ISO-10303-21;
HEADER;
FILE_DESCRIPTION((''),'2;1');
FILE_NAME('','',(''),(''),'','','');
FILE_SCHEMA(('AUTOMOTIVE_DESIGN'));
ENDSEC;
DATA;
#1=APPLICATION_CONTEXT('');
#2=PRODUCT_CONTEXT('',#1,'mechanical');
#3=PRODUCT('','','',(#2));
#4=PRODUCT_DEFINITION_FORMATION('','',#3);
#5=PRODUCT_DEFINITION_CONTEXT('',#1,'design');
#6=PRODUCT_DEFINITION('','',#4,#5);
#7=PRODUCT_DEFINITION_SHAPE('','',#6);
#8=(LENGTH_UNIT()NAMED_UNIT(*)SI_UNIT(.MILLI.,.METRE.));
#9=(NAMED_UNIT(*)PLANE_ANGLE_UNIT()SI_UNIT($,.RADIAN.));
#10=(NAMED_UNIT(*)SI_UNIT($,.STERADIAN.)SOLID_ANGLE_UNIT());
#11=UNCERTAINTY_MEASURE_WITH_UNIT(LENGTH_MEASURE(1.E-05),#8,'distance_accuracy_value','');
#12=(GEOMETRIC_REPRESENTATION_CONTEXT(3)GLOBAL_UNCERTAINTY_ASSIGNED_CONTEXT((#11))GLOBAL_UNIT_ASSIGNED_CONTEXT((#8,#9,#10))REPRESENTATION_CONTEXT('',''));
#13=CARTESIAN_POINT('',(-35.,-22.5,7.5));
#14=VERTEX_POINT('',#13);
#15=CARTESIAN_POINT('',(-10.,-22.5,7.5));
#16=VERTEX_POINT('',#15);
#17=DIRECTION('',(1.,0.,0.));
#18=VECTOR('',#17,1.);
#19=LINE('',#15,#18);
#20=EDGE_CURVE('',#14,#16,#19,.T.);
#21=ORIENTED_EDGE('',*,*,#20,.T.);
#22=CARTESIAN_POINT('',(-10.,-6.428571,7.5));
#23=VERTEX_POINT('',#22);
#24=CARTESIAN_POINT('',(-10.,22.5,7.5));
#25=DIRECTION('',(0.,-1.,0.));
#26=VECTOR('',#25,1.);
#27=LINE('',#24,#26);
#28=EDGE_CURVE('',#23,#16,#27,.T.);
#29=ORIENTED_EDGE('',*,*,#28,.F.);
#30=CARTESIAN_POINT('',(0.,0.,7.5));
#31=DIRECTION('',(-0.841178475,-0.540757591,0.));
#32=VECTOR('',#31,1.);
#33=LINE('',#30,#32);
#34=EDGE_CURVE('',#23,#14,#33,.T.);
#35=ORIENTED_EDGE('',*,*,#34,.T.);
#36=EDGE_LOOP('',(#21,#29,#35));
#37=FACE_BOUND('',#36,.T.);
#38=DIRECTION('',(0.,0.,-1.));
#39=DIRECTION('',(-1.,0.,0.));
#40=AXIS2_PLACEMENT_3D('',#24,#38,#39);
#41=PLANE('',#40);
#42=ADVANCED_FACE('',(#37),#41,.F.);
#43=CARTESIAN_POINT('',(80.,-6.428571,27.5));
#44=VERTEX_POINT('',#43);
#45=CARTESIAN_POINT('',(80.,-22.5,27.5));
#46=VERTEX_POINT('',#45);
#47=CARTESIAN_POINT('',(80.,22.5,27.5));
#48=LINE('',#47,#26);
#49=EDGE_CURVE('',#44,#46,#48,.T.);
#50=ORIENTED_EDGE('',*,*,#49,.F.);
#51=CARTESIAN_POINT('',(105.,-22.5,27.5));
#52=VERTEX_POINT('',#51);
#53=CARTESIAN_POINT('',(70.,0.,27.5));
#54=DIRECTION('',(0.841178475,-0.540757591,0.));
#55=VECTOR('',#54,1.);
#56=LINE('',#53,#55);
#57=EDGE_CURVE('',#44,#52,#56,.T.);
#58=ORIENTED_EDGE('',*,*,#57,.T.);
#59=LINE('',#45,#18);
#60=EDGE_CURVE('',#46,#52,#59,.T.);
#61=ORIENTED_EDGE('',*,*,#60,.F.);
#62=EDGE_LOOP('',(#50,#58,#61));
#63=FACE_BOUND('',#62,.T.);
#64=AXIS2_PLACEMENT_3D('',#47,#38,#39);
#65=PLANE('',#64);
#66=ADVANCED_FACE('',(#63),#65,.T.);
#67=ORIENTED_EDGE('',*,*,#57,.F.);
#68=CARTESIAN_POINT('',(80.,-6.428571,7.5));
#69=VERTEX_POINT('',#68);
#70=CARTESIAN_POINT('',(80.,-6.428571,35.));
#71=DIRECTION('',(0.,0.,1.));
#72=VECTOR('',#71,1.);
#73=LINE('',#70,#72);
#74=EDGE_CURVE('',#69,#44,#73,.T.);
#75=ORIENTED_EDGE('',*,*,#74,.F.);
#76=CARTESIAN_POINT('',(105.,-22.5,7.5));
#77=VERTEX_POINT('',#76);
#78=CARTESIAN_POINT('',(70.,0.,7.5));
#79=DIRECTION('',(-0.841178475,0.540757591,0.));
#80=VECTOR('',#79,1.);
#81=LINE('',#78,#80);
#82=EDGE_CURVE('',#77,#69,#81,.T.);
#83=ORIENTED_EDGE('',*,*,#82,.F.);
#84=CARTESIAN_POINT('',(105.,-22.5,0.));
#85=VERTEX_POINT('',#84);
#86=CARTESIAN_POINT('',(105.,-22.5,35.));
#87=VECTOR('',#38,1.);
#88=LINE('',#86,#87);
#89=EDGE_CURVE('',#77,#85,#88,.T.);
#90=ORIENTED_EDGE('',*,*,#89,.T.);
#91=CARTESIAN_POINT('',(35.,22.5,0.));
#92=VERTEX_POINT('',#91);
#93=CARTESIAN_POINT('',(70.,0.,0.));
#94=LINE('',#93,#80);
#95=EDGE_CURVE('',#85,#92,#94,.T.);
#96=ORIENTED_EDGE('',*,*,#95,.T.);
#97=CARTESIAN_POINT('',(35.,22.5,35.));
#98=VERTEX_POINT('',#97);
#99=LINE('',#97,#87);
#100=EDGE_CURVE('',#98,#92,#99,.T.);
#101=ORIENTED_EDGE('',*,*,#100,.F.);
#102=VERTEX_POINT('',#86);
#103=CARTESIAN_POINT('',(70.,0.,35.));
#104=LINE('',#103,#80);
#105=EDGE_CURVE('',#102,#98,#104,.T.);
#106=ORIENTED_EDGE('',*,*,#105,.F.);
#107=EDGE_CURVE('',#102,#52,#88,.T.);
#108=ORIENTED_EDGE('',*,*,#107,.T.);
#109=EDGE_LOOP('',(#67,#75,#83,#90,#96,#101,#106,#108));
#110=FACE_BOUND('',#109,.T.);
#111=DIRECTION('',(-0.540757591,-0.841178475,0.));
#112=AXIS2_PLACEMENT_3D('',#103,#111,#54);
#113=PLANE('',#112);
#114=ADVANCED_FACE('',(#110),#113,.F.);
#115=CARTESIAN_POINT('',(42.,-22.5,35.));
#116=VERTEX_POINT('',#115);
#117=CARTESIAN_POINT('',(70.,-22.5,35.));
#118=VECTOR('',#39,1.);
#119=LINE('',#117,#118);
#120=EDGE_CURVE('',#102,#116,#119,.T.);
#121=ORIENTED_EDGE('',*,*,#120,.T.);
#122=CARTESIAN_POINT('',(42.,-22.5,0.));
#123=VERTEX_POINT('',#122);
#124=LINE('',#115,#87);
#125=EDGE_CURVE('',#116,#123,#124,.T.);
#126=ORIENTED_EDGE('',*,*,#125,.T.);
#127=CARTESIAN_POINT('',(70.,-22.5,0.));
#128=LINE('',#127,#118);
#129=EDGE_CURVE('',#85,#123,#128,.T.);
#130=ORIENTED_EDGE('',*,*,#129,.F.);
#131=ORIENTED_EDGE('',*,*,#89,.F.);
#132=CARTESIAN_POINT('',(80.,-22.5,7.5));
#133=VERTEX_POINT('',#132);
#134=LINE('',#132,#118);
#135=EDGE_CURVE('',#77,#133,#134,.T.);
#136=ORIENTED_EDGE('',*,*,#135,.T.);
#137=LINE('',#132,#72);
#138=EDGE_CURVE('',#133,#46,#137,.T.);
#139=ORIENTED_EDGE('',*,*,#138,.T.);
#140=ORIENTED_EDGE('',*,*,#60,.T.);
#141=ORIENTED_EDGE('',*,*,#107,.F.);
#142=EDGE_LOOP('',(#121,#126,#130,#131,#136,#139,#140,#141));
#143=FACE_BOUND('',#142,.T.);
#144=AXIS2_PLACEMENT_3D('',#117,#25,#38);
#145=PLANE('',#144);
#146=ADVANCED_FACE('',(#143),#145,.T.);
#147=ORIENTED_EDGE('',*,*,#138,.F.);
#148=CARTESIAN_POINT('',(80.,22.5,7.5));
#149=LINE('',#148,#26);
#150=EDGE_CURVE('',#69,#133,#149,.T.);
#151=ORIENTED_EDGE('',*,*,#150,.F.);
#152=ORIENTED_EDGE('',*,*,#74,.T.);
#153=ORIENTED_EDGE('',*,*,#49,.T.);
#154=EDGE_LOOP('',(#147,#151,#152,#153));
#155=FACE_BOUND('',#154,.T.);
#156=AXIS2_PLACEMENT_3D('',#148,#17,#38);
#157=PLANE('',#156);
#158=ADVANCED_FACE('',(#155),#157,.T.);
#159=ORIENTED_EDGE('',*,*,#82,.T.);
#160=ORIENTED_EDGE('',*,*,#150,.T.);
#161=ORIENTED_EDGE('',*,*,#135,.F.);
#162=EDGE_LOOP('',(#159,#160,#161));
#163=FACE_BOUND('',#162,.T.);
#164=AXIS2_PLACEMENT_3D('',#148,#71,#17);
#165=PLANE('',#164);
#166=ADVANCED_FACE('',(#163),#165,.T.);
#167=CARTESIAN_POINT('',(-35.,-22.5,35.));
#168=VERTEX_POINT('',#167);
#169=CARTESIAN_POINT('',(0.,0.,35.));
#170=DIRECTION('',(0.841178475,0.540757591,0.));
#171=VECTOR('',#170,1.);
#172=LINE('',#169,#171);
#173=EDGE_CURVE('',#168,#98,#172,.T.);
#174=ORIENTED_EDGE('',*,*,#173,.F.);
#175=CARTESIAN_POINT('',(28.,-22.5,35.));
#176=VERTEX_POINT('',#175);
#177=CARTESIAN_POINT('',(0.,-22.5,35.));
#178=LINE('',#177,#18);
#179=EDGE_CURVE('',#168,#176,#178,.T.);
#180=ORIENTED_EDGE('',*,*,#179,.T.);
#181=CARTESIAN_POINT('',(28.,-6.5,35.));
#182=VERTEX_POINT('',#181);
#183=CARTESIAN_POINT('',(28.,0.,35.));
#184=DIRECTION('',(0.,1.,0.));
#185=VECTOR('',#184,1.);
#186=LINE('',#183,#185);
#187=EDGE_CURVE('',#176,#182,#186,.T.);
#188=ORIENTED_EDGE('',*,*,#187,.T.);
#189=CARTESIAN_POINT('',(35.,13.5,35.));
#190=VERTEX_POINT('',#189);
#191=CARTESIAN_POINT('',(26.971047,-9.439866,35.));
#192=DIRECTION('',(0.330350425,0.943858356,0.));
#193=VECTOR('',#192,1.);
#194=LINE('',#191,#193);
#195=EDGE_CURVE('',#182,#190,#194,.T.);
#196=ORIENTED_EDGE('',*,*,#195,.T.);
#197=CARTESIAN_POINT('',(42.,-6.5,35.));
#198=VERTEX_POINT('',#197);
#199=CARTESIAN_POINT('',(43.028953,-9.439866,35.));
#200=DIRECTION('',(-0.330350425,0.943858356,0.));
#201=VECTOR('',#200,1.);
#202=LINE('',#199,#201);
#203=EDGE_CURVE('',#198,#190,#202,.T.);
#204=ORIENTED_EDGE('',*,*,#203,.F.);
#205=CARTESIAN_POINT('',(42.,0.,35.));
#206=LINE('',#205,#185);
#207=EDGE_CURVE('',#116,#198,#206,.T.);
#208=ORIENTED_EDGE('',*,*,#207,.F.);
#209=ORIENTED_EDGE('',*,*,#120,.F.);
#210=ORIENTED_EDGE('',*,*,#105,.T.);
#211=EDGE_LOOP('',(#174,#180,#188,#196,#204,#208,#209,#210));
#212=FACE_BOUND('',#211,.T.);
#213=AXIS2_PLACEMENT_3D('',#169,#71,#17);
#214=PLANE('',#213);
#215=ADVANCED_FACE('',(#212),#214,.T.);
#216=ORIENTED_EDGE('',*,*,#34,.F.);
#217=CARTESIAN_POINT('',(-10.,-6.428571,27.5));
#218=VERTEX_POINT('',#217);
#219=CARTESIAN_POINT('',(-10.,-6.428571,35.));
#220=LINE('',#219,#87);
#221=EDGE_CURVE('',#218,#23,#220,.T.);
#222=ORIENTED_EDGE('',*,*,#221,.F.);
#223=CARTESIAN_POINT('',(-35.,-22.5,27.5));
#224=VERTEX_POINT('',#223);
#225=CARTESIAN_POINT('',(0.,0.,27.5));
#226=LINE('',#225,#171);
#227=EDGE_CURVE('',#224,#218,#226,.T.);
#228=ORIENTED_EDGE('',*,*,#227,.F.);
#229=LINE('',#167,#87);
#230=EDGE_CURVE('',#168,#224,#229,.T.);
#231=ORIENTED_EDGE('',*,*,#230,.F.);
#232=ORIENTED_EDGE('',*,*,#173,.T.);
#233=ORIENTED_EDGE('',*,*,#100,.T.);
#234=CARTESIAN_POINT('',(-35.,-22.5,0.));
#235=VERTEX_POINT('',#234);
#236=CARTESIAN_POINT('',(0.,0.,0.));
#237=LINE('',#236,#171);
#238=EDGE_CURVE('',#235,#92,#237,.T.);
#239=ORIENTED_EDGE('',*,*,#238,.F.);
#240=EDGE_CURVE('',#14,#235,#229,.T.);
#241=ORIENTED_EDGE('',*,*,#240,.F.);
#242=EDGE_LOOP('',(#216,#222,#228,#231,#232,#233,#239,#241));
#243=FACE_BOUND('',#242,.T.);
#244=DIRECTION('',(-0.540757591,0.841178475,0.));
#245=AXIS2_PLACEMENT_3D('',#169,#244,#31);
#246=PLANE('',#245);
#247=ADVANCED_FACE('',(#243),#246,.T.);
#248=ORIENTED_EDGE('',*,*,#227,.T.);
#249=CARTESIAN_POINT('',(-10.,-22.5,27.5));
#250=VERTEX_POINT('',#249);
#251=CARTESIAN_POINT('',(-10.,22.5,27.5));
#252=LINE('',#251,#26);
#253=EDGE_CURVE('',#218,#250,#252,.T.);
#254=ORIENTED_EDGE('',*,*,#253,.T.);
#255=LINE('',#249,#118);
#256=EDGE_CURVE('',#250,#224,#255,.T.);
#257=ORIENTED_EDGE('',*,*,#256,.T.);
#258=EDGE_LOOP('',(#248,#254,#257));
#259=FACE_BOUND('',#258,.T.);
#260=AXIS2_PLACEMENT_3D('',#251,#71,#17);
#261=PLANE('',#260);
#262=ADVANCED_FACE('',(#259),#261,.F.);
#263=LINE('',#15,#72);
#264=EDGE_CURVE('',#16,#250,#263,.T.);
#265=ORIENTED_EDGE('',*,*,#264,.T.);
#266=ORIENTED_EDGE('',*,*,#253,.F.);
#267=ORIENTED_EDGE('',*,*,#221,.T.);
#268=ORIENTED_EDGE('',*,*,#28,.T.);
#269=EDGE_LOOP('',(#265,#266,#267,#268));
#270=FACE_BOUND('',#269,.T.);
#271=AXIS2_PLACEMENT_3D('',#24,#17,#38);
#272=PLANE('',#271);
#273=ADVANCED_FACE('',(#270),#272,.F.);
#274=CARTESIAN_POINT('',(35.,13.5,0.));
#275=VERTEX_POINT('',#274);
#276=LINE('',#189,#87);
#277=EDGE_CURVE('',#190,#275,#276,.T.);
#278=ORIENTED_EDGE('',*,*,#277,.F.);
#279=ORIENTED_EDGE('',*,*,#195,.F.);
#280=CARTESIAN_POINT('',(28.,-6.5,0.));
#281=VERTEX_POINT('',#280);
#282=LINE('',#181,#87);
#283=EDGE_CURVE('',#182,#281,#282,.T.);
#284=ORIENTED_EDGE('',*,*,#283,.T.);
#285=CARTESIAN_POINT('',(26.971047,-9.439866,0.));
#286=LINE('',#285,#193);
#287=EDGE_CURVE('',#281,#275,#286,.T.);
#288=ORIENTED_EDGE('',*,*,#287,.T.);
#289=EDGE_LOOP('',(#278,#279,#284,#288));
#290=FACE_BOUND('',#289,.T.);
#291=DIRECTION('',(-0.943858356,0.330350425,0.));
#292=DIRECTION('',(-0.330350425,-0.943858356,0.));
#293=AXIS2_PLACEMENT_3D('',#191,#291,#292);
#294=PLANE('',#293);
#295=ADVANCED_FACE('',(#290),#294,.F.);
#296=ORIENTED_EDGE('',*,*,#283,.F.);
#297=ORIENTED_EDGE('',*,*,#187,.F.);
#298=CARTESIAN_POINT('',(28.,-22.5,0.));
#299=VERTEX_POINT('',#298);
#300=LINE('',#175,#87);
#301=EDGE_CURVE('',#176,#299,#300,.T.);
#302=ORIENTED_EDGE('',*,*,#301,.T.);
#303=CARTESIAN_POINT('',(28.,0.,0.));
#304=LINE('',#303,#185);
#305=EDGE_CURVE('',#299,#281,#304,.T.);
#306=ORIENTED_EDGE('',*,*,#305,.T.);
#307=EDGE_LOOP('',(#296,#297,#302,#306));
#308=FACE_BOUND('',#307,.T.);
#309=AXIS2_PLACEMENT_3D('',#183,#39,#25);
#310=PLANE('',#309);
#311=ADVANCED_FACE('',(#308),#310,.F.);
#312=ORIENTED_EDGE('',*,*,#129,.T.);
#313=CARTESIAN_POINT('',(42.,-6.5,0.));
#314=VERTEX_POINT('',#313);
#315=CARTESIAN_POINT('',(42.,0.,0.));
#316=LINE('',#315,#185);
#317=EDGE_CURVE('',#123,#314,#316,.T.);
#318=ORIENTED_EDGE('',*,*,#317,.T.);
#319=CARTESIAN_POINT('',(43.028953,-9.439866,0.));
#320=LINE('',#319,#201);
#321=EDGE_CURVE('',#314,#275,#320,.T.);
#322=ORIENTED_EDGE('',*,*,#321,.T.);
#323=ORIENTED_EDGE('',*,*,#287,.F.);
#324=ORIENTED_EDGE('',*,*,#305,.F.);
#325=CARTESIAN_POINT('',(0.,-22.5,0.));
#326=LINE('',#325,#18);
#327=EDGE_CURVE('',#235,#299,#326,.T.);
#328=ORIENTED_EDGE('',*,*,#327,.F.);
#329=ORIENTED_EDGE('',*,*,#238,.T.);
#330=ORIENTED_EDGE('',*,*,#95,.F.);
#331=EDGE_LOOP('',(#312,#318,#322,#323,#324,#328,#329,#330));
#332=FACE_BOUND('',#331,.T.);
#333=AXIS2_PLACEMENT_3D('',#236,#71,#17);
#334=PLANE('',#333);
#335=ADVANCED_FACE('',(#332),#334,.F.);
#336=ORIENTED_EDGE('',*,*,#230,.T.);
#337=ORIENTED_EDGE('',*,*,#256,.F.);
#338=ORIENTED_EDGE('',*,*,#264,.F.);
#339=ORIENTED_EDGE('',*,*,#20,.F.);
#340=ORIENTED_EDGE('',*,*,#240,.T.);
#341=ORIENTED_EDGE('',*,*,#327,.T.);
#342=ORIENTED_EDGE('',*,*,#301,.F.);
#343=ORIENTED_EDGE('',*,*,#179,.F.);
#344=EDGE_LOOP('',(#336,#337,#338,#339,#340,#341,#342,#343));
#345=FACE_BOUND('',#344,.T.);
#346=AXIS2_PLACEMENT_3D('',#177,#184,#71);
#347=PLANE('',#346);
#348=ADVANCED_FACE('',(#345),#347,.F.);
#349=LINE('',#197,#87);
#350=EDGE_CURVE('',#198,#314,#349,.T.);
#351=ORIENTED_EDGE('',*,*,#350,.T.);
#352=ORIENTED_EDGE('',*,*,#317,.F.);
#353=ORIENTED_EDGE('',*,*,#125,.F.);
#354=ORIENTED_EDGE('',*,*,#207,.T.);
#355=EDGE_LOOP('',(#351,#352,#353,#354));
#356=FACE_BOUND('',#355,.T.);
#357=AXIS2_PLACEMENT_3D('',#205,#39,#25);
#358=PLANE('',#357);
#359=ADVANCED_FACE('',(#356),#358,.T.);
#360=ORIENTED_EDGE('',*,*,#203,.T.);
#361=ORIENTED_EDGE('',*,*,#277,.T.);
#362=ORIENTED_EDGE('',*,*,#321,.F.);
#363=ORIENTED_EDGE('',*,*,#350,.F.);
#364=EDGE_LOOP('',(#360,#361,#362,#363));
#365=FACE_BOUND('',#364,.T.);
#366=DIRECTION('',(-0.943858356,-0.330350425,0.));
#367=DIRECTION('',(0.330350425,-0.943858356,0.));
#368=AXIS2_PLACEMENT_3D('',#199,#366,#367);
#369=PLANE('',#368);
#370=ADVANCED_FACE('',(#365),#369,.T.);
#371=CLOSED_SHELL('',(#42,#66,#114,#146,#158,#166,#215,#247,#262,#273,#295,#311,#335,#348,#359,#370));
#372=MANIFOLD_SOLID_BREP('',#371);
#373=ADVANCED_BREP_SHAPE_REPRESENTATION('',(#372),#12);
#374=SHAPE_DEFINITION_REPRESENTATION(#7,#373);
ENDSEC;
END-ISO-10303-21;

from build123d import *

# Parameters (mm, degrees)
EXTRUDE_1_DEPTH     = 35
SKETCH_2_W          = 25
SKETCH_2_H          = 20
CUT_EXTRUDE_1_DEPTH = 67.895440801


with BuildPart() as part:
    # Эскиз1 → Бобышка-Вытянуть1 (new body)
    with BuildSketch(Plane.XY):
        Polygon((35, 22.5), (-35, -22.5), (28, -22.5), (28, -6.5), (35, 13.5), align=None)
    extrude_1 = extrude(amount=EXTRUDE_1_DEPTH)

    # Эскиз2 → Вырез-Вытянуть1 (cut, through all)
    with BuildSketch(Plane.XZ.offset(22.5)):
        with Locations((-22.5, 17.5)):
            Rectangle(SKETCH_2_W, SKETCH_2_H)
    cut_extrude_1 = extrude(amount=-CUT_EXTRUDE_1_DEPTH, mode=Mode.SUBTRACT)

    # Зеркальное отражение1: Бобышка-Вытянуть1, Вырез-Вытянуть1 across plane
    add(extrude_1.mirror(Plane(origin=(35, 0, 35), x_dir=(0, 0, 1), z_dir=(-1, 0, 0))))
    add(cut_extrude_1.mirror(Plane(origin=(35, 0, 35), x_dir=(0, 0, 1), z_dir=(-1, 0, 0))), mode=Mode.SUBTRACT)


solid = part.part
